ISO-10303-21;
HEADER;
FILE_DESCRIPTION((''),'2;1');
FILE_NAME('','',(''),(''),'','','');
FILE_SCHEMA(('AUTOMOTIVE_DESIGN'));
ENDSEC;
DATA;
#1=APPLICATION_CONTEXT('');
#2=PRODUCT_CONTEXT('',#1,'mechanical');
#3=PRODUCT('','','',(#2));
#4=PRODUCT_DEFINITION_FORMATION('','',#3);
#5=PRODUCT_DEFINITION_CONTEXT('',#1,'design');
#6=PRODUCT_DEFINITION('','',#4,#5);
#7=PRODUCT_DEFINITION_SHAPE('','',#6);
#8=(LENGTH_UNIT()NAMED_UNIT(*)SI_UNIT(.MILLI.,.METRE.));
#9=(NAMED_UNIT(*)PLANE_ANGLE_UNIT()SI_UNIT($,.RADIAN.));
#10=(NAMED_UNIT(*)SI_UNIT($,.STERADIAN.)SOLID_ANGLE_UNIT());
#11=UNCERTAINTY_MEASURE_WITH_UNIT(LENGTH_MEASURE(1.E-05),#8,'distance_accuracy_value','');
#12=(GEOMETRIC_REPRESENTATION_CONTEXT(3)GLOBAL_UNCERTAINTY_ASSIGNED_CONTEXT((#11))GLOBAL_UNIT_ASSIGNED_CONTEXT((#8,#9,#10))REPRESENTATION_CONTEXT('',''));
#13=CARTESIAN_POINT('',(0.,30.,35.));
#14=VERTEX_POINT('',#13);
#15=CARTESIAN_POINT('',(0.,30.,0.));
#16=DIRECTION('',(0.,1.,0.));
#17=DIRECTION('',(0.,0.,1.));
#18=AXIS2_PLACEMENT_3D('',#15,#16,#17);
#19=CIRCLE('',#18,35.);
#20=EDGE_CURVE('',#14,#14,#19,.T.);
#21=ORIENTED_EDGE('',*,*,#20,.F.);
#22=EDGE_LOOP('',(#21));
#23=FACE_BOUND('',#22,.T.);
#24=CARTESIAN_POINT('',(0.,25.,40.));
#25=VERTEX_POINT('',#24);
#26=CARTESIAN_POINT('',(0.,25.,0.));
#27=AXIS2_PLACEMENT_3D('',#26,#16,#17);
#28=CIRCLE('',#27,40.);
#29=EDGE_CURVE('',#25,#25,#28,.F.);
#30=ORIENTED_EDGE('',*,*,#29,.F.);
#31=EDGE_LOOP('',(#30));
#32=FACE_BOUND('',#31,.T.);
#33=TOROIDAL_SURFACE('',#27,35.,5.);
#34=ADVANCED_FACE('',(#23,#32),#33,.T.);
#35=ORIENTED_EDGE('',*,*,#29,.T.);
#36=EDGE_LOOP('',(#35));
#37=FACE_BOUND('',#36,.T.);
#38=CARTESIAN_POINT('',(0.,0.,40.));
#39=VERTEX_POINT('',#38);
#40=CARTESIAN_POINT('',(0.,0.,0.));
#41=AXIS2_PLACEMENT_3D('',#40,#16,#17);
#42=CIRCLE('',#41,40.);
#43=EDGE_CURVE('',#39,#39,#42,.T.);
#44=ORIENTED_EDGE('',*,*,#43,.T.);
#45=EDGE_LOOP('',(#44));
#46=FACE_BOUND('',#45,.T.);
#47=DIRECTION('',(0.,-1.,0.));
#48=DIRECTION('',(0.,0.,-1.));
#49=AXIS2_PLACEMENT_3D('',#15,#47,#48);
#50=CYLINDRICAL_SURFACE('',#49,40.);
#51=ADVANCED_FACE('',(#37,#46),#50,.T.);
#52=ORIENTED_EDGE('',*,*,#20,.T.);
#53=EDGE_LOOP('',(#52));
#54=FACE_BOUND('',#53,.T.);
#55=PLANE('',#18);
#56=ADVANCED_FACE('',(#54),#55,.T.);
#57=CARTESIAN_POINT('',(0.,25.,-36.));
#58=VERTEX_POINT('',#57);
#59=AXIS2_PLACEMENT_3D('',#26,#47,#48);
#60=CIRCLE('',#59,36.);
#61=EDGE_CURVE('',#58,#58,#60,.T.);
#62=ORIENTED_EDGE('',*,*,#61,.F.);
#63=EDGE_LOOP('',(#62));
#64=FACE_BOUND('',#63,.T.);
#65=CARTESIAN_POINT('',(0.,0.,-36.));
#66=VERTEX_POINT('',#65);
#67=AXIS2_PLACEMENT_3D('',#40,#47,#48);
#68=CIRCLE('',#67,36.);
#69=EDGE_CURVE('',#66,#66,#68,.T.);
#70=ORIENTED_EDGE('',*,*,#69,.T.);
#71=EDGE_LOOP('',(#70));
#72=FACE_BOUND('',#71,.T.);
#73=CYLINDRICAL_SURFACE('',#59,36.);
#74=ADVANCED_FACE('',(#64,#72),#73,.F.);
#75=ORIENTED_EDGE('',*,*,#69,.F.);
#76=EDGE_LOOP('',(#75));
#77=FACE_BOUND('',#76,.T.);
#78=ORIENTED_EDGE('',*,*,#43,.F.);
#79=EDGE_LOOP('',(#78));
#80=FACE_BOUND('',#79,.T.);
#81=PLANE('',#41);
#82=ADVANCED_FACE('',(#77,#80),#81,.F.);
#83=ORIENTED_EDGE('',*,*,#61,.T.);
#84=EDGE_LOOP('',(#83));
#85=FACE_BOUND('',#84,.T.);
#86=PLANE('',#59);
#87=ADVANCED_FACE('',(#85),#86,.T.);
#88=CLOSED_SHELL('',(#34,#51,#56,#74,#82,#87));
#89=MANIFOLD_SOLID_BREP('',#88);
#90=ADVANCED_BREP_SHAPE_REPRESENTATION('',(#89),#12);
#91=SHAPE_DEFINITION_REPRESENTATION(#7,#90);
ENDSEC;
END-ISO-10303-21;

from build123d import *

# Parameters (mm, degrees)
SKETCH1_R           = 40
BOSS_EXTRUDE1_DEPTH = 30
FILLET1_R           = 5
SKETCH2_R           = 36
CUT_EXTRUDE1_DEPTH  = 25


with BuildPart() as part:
    # Sketch1 → Boss-Extrude1 (new body)
    with BuildSketch(Plane(origin=(0, 0, 0), x_dir=(1, 0, 0), z_dir=(0, 1, 0))):
        with Locations(Location((0, 0, 0), (0, 0, 270))):
            Circle(SKETCH1_R)
    extrude(amount=BOSS_EXTRUDE1_DEPTH)

    # Fillet1
    fillet1_edges = [part.edges().sort_by_distance(p)[0] for p in [
        (0, 30, -40),
    ]]
    fillet(fillet1_edges, radius=FILLET1_R)

    # Sketch2 → Cut-Extrude1 (cut)
    with BuildSketch(Plane.XZ):
        with Locations(Location((0, 0, 0), (0, 0, 270))):
            Circle(SKETCH2_R)
    extrude(amount=-CUT_EXTRUDE1_DEPTH, mode=Mode.SUBTRACT)


solid = part.part
